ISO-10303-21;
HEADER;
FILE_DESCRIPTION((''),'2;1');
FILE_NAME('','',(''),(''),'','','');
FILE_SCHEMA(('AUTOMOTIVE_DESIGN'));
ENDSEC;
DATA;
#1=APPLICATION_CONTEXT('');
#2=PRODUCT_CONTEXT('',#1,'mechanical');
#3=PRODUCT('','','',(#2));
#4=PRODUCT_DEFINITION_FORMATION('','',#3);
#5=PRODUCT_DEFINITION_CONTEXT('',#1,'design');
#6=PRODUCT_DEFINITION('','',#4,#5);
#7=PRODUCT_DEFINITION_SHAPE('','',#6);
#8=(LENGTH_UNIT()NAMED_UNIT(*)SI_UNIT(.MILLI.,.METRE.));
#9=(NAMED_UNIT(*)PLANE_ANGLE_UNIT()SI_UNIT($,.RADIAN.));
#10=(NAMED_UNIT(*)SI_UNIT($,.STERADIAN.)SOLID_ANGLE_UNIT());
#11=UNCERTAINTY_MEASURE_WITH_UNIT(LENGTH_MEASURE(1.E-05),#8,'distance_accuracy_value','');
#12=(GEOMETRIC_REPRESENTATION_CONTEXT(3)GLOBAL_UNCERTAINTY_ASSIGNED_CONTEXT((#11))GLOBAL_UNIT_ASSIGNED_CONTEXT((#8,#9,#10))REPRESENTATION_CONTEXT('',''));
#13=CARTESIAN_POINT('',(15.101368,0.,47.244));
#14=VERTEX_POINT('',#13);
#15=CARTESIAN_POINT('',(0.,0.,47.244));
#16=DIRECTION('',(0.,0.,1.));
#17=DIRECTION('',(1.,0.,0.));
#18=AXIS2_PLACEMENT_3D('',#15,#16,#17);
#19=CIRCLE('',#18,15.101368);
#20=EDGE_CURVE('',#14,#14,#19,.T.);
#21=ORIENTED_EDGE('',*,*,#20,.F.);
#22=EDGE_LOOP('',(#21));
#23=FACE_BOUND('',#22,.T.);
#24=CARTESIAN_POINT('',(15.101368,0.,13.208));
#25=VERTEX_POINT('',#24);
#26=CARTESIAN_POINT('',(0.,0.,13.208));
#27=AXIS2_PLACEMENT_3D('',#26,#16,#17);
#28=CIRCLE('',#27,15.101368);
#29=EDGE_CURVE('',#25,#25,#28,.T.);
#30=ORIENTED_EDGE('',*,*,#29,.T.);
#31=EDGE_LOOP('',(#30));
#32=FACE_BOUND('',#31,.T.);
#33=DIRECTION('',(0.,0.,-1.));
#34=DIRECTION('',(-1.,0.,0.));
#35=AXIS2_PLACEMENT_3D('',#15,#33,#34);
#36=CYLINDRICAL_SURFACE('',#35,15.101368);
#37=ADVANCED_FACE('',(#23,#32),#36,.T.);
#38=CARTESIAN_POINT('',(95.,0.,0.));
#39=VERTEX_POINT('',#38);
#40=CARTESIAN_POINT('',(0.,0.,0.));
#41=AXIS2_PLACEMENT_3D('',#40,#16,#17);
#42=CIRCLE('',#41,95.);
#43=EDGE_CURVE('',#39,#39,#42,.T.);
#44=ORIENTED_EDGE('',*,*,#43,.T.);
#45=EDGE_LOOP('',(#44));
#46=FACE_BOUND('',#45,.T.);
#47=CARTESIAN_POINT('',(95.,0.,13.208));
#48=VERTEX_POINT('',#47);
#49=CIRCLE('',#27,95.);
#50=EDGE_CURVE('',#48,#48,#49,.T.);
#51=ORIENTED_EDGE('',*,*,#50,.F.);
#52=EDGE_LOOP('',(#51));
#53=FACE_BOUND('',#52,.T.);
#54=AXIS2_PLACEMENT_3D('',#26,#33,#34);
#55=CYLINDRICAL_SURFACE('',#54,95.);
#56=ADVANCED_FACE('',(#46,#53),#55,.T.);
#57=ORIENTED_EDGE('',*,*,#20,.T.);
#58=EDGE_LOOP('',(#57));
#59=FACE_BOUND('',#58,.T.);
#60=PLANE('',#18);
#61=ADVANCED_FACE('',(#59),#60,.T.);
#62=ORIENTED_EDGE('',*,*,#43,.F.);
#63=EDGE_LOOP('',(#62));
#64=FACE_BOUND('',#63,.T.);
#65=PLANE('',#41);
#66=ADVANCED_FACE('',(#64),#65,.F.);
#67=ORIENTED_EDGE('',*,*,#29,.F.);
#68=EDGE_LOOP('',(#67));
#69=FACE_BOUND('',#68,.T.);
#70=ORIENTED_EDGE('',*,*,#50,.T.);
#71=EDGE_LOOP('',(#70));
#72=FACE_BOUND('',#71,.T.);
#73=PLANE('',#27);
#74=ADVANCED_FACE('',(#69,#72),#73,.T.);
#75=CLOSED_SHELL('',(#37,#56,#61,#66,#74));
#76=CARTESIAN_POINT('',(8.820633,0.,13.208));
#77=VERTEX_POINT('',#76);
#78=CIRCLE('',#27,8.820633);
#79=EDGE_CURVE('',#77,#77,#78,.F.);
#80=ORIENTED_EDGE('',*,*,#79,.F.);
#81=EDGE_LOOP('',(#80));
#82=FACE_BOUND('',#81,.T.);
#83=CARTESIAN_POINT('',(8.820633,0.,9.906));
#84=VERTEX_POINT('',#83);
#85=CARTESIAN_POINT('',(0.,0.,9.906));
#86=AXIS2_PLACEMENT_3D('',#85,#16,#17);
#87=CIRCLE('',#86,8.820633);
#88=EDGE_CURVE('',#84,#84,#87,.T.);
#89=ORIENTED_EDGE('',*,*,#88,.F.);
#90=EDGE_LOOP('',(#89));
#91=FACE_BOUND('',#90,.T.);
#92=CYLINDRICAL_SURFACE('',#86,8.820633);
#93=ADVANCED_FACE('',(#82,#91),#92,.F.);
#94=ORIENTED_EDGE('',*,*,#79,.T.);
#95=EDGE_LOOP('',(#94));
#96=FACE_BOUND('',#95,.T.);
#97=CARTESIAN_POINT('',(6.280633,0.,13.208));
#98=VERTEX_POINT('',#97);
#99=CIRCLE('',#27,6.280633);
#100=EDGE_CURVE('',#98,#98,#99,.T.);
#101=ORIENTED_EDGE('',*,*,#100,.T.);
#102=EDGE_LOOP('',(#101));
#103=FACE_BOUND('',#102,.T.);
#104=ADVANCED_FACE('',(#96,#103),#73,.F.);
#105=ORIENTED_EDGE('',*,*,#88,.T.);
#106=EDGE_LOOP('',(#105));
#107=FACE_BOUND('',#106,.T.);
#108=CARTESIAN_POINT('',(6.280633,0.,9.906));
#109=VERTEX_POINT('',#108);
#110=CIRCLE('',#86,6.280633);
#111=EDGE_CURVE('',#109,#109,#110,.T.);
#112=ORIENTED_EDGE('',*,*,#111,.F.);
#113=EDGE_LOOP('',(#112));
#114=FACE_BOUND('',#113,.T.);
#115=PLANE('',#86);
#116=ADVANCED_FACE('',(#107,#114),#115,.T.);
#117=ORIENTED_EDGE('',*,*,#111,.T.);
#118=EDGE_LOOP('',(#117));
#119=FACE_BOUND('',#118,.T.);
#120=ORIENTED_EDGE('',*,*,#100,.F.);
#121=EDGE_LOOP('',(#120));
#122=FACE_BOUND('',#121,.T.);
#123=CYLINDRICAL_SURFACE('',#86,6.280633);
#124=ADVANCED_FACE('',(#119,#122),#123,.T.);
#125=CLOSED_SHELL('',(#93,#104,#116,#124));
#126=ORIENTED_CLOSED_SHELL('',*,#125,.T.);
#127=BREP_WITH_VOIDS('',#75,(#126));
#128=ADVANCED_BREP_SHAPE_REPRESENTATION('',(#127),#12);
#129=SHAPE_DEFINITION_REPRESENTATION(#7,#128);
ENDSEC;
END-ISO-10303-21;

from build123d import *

# Parameters (mm, degrees)
SKETCH_1_R          = 95
EXTRUDE_1_DEPTH     = 13.208
SKETCH_2_R          = 8.820632657
SKETCH_2_R_2        = 6.280632657
CUT_EXTRUDE_1_DEPTH = 3.302
SKETCH_3_R          = 15.1013679
EXTRUDE_2_DEPTH     = 34.036


with BuildPart() as part:
    # 草图1 → 凸台-拉伸1 (new body)
    with BuildSketch(Plane.XY):
        Circle(SKETCH_1_R)
    extrude(amount=EXTRUDE_1_DEPTH)

    # 草图2 → 切除-拉伸1 (cut)
    with BuildSketch(Plane.XY.offset(13.208)):
        Circle(SKETCH_2_R)
        Circle(SKETCH_2_R_2, mode=Mode.SUBTRACT)
    extrude(amount=-CUT_EXTRUDE_1_DEPTH, mode=Mode.SUBTRACT)

    # 草图3 → 凸台-拉伸2 (add)
    with BuildSketch(Plane.XY.offset(13.208)):
        Circle(SKETCH_3_R)
    extrude(amount=EXTRUDE_2_DEPTH)


solid = part.part
